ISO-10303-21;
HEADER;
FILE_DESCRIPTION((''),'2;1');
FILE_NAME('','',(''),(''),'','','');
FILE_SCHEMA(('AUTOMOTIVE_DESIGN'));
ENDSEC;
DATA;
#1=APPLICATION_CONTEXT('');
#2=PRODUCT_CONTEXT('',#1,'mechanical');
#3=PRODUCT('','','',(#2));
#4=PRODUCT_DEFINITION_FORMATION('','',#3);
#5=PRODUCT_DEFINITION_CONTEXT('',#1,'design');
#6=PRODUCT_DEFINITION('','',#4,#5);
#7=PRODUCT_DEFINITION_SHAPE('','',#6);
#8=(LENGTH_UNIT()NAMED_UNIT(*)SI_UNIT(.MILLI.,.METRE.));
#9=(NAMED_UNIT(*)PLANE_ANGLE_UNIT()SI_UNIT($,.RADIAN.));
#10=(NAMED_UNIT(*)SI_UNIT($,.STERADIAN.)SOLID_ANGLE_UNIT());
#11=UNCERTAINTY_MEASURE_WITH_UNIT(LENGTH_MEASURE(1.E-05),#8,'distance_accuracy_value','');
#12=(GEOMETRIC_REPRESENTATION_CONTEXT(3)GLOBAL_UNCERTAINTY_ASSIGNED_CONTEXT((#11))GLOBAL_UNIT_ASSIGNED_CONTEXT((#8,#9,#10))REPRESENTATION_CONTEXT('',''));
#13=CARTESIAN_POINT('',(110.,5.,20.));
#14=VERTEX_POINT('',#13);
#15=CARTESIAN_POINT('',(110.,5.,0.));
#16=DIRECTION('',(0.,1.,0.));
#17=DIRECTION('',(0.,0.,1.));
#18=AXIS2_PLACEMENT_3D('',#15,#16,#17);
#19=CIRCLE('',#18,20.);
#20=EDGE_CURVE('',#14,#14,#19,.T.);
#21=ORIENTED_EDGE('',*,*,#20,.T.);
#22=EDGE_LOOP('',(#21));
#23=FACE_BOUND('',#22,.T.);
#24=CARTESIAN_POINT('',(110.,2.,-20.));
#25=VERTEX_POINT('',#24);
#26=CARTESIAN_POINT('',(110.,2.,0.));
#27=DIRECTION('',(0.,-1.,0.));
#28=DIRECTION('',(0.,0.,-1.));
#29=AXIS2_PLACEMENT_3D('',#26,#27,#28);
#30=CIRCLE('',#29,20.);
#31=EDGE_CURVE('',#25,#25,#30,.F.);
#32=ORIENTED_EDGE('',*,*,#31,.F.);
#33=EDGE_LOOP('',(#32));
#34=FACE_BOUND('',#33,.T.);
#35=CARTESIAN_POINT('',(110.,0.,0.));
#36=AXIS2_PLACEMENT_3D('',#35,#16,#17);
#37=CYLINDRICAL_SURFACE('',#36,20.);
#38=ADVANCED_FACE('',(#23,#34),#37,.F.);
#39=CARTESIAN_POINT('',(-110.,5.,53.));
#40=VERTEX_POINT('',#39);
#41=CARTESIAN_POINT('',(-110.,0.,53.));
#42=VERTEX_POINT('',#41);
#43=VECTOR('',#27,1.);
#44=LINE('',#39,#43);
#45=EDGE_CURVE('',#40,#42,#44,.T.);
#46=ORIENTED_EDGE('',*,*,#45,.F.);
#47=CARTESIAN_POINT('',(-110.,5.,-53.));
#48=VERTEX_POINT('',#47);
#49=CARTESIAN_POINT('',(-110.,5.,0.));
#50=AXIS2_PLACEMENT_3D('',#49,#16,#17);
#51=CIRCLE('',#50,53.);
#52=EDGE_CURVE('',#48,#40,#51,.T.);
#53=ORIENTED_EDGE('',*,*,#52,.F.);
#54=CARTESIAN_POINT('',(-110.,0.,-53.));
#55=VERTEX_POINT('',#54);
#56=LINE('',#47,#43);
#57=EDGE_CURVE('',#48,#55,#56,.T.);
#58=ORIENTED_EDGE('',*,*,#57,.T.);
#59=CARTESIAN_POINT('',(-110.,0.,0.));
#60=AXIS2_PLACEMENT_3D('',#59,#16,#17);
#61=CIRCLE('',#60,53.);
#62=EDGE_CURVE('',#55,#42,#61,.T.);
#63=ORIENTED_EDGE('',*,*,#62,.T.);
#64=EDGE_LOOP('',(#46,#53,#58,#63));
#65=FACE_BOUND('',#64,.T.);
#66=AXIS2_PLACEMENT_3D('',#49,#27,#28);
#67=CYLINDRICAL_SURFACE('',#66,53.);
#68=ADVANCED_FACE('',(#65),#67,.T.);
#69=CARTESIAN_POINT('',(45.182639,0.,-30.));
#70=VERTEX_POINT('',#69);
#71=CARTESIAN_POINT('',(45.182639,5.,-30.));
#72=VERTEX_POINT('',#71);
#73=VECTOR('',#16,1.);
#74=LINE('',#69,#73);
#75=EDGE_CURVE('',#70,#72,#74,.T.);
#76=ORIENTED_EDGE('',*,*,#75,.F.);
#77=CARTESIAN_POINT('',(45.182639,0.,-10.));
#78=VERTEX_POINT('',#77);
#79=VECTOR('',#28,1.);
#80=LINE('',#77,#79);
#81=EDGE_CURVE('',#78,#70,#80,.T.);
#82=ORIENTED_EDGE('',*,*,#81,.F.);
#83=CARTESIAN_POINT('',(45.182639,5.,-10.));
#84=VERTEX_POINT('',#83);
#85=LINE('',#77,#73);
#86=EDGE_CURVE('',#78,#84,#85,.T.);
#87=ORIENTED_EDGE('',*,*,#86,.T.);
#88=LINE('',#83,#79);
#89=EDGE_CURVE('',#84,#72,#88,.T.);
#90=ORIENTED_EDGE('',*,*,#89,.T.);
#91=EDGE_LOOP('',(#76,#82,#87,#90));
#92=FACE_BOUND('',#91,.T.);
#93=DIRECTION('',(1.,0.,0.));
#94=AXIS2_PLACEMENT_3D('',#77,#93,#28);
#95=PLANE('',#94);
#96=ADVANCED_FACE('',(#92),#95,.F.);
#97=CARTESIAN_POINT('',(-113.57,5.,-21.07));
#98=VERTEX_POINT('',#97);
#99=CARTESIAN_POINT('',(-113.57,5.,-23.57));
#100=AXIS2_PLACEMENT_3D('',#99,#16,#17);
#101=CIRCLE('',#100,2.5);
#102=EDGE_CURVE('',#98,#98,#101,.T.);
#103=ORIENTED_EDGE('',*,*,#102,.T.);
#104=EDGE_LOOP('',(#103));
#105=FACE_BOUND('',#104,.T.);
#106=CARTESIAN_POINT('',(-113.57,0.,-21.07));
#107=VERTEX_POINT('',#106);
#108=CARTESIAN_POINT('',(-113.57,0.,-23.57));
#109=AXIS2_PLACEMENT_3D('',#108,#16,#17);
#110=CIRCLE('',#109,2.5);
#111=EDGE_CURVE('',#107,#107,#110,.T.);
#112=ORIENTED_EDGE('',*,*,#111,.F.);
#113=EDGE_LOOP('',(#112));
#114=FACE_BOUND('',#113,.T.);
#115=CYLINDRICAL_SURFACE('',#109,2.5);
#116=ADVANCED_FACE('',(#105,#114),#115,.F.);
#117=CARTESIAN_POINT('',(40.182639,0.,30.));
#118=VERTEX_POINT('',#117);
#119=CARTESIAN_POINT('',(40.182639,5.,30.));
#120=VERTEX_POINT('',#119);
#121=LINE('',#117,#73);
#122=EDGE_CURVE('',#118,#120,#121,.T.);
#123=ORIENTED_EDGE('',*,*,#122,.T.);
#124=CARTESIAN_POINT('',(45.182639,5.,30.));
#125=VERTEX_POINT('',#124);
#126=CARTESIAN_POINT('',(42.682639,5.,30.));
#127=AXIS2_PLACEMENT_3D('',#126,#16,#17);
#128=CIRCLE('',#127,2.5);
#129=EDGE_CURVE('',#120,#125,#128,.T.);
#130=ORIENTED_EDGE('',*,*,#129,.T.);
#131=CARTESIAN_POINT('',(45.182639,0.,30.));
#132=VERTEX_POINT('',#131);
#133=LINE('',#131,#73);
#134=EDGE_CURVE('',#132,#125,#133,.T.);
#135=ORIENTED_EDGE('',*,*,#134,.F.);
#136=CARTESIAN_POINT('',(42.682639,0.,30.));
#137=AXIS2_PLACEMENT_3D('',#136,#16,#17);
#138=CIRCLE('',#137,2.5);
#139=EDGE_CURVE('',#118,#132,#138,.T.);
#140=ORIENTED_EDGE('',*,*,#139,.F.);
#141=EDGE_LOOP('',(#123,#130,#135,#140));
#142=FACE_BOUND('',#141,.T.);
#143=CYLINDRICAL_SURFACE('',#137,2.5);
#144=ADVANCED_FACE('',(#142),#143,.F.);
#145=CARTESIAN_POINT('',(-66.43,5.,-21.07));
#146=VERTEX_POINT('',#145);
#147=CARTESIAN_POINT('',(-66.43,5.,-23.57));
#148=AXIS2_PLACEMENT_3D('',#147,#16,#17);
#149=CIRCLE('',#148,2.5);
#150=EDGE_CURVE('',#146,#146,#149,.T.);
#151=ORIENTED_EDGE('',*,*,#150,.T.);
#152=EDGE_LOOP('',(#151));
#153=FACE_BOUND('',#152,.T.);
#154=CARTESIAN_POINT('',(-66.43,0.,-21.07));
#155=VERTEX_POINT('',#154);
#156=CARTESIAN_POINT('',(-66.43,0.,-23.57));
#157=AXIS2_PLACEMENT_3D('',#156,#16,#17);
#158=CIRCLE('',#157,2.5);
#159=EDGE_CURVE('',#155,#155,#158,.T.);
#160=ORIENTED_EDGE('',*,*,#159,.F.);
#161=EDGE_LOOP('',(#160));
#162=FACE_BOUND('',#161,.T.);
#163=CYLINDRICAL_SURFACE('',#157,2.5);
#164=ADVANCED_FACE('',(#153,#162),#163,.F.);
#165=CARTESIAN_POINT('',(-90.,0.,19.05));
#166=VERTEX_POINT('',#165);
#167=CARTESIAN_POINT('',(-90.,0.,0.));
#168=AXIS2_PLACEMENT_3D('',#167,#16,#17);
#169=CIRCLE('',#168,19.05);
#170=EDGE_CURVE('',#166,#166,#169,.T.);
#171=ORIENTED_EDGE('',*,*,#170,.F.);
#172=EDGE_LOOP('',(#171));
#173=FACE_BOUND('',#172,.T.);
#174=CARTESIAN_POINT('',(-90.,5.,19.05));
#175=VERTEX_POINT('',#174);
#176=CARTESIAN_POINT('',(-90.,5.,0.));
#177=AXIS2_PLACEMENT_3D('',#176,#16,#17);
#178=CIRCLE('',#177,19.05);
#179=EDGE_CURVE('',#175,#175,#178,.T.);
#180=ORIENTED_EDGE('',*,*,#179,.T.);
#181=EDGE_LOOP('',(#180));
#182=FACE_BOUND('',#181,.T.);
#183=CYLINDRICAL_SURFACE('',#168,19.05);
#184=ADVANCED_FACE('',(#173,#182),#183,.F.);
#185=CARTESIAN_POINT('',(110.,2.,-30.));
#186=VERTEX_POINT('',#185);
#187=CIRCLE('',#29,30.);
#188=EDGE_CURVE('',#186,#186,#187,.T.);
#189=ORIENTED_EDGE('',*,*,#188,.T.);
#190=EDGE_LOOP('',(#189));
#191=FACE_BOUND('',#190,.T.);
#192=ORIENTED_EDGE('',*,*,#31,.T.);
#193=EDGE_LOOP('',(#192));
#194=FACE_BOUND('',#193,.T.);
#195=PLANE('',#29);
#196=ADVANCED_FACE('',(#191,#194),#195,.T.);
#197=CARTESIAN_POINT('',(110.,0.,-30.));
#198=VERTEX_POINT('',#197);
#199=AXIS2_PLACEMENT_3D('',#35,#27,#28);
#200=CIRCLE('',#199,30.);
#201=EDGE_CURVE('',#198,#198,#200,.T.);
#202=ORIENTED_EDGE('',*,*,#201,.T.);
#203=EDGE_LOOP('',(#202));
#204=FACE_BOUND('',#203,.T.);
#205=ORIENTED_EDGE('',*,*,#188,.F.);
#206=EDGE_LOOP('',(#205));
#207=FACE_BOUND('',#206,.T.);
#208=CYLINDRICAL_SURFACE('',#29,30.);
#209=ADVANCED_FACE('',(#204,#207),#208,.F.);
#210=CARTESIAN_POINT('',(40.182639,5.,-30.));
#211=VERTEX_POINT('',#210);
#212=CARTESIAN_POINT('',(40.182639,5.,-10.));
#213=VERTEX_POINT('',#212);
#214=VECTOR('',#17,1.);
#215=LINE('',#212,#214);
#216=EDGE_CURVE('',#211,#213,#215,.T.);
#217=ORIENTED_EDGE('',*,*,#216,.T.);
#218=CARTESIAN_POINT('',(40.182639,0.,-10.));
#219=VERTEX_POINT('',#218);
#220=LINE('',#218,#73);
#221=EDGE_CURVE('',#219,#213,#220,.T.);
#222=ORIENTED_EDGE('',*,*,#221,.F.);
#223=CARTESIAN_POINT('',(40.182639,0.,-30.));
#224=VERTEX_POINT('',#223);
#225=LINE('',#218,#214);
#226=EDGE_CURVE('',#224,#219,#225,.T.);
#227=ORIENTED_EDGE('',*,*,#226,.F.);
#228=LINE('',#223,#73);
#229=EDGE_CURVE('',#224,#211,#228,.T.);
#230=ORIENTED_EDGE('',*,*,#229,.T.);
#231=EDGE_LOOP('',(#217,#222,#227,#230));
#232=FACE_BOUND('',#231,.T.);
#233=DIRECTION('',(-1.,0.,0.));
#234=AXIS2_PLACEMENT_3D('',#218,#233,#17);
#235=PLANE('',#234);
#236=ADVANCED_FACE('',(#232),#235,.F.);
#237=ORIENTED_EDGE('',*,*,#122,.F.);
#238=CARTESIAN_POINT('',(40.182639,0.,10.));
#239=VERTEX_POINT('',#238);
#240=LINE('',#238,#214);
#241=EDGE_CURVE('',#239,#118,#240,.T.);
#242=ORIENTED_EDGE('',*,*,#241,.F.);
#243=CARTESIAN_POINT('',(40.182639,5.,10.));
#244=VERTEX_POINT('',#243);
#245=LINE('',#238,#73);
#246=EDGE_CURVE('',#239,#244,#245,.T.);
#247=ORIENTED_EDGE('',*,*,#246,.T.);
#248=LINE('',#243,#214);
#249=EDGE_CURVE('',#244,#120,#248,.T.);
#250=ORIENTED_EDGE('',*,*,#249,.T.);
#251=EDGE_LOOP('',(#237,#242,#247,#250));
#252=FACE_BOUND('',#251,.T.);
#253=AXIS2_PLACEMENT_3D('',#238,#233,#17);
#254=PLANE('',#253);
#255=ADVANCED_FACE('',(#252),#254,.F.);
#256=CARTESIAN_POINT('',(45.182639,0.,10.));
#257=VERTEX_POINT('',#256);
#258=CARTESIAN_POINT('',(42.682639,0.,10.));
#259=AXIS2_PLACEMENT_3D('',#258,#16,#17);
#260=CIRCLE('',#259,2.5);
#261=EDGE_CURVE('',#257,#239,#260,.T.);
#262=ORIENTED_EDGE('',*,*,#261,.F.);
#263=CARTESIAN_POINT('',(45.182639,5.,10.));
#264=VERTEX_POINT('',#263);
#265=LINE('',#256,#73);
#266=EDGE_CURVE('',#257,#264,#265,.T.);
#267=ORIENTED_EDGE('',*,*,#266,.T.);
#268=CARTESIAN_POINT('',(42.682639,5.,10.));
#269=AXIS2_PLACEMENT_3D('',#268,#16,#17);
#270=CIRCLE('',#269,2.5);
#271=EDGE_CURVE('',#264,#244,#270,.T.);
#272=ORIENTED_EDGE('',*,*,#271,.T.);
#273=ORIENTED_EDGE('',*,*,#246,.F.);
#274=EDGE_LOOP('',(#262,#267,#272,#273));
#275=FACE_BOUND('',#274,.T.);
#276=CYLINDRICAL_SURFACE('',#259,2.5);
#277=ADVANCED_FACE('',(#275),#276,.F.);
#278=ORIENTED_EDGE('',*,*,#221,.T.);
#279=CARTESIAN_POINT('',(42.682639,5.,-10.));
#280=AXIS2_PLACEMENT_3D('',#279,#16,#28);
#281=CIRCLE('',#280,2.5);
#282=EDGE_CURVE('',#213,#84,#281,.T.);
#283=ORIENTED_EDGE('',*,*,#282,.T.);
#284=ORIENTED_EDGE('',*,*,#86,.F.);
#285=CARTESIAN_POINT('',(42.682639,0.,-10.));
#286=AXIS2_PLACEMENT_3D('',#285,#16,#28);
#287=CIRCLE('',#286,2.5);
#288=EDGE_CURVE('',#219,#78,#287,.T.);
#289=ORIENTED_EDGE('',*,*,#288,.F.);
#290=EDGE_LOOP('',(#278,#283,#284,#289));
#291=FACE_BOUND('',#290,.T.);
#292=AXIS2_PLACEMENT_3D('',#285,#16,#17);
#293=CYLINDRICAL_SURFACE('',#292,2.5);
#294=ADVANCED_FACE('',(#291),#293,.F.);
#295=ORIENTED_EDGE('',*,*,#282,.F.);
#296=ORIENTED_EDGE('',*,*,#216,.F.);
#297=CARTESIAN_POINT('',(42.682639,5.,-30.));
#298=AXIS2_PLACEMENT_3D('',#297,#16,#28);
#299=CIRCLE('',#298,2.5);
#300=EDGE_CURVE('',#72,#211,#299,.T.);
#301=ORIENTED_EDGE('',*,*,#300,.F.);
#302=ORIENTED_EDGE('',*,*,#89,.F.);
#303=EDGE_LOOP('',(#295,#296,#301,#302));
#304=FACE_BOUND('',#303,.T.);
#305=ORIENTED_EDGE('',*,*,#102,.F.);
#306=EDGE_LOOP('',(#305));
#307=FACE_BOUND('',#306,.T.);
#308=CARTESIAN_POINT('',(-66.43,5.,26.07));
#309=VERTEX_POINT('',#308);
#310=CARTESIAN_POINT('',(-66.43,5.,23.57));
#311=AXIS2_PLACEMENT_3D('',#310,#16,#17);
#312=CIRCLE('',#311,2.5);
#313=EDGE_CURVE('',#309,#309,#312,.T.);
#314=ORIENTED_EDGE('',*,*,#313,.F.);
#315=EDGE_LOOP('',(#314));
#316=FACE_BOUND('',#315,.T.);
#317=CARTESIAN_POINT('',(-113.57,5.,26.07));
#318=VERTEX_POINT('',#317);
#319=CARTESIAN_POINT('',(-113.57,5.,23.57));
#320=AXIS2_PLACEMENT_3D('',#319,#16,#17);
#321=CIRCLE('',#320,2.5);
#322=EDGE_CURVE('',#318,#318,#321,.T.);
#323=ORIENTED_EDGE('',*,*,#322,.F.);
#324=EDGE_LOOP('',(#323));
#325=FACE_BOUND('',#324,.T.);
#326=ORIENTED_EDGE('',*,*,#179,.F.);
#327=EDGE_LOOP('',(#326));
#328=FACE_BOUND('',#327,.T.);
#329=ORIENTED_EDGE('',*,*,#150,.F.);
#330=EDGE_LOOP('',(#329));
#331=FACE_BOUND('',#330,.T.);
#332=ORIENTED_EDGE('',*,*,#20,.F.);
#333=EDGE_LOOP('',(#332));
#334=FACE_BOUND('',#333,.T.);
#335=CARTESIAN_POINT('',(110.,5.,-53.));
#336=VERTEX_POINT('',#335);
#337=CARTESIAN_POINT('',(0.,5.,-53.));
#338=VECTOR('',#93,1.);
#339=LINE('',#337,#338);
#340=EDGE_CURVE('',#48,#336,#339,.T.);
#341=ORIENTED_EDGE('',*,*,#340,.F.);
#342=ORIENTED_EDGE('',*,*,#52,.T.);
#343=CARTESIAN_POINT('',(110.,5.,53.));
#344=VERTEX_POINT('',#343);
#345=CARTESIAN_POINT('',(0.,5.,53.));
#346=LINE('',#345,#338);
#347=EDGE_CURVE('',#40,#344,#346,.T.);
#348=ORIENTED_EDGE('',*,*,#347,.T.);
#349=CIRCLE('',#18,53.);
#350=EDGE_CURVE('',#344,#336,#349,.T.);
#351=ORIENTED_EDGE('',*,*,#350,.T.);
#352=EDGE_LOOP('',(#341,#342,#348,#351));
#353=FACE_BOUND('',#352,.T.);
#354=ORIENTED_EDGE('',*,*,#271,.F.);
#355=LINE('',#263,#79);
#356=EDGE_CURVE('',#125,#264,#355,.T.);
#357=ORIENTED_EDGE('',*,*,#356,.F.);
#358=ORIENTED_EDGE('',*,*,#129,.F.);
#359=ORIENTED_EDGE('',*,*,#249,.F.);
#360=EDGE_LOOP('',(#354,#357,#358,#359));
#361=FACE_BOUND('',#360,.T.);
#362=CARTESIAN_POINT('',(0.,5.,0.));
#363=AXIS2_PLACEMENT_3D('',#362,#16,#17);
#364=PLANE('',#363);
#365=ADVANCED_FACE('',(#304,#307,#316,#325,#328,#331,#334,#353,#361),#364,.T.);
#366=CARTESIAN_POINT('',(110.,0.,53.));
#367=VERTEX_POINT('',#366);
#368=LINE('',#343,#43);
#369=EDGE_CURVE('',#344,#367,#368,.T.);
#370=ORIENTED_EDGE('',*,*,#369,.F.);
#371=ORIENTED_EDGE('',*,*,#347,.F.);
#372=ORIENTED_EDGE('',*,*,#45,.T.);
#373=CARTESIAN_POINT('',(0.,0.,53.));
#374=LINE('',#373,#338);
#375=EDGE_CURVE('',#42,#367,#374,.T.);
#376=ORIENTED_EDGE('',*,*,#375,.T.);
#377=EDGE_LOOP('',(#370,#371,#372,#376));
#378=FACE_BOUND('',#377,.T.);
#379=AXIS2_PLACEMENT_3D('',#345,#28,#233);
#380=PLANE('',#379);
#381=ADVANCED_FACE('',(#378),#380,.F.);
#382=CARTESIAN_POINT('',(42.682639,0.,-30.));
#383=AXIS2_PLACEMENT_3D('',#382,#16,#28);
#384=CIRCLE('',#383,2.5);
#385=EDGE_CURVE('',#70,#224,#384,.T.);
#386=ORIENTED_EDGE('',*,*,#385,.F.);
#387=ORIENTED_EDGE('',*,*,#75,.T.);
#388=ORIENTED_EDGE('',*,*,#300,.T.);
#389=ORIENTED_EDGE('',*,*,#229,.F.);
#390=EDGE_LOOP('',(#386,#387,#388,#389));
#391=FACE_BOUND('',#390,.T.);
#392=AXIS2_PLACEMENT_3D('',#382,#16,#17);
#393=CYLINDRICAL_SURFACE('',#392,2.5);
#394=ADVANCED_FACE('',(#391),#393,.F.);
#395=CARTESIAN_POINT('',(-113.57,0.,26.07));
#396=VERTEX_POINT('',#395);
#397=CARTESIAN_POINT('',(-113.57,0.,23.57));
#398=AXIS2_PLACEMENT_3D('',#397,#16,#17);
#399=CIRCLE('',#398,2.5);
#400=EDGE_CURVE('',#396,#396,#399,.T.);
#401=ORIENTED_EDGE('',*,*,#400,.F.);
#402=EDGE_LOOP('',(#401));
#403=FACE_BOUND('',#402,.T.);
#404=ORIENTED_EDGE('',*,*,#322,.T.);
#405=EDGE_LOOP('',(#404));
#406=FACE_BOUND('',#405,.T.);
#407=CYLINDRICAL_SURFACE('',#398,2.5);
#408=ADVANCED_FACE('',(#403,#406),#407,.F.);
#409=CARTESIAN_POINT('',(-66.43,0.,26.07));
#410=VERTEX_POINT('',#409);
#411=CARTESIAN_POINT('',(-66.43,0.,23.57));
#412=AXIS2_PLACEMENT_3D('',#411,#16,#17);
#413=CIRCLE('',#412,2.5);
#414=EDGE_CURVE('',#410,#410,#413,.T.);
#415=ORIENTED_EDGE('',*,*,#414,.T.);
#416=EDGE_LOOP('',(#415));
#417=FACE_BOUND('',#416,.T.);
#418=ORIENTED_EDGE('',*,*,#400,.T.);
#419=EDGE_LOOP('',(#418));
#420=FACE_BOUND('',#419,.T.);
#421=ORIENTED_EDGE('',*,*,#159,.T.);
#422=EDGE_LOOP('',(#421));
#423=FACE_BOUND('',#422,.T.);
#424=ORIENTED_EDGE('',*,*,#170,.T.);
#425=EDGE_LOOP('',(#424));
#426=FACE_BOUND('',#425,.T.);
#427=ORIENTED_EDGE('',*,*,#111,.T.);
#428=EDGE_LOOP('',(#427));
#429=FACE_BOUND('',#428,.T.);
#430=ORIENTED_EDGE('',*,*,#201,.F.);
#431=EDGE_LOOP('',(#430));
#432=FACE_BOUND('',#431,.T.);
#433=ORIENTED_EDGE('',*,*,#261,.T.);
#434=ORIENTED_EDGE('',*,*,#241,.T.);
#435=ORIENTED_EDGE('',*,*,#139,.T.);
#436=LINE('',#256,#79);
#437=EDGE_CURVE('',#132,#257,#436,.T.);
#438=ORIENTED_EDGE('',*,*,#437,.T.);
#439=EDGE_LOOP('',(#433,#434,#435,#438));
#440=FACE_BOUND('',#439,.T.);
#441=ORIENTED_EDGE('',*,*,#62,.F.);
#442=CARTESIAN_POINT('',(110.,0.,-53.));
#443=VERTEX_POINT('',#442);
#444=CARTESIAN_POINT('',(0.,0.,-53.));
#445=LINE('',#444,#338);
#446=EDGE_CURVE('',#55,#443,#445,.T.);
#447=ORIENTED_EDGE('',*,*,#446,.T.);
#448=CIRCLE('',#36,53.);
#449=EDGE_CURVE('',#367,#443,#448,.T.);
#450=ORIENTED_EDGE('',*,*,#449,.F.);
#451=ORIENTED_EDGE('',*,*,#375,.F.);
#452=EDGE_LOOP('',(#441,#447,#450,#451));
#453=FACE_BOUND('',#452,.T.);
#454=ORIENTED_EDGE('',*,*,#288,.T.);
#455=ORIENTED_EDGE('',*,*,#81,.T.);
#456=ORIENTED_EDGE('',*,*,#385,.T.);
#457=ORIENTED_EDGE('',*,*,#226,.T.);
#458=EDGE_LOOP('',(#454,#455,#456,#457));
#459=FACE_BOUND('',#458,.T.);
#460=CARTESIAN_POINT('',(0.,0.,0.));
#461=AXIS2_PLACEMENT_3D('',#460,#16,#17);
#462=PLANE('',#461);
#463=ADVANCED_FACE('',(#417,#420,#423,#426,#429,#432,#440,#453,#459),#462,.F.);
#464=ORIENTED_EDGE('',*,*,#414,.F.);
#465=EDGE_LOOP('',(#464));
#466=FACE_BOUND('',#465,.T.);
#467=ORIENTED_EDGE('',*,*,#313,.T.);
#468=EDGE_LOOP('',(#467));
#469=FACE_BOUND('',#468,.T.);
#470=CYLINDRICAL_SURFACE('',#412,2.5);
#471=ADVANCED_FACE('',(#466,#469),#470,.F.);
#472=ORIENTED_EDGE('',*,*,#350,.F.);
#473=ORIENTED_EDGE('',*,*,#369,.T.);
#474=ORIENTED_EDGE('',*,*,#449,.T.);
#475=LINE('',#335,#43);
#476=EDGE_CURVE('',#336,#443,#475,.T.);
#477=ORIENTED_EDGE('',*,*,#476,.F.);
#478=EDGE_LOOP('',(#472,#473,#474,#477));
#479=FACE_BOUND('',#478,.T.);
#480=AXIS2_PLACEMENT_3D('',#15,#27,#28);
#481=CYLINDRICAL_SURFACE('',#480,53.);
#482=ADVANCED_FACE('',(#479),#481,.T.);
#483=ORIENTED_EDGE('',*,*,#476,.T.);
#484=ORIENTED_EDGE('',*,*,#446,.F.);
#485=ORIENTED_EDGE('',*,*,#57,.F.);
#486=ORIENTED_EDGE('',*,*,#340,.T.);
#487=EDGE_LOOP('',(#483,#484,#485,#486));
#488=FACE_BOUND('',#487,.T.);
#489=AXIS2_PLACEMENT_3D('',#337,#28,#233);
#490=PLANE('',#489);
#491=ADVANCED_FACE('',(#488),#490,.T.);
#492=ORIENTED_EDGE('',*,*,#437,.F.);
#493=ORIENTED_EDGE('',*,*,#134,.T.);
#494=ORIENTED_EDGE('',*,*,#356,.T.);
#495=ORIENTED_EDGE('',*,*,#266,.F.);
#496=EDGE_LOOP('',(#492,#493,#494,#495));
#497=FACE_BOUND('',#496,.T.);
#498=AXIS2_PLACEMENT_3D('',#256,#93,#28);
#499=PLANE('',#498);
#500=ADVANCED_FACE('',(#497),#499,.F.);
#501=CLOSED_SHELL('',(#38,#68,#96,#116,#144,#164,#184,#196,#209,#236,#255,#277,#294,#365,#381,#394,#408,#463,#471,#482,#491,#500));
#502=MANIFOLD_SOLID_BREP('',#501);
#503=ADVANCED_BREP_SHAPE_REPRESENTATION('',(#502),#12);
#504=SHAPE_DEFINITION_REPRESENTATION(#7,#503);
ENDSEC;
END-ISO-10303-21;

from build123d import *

# Parameters (mm, degrees)
BOSS_EXTRUDE1_DEPTH = 5
SKETCH2_R           = 20
CUT_EXTRUDE1_DEPTH  = 6
SKETCH3_R           = 30
CUT_EXTRUDE2_DEPTH  = 2
SKETCH4_R           = 2.5
SKETCH4_R_2         = 19.05
CUT_EXTRUDE3_DEPTH  = 6


with BuildPart() as part:
    # Sketch1 → Boss-Extrude1 (new body)
    with BuildSketch(Plane(origin=(0, 0, 0), x_dir=(1, 0, 0), z_dir=(0, 1, 0))):
        with BuildLine():
            ThreePointArc((-110, 53), (-163, 0), (-110, -53))
            Line((-110, -53), (-110, 53))
        make_face()
        with BuildLine():
            Line((-110, 53), (-110, -53))
            ThreePointArc((-110, -53), (-72.523340597, -37.476659403), (-57, 0))
            ThreePointArc((-57, 0), (-72.523340597, 37.476659403), (-110, 53))
        make_face()
        with BuildLine():
            ThreePointArc((-57, 0), (-72.523340597, -37.476659403), (-110, -53))
            Line((-110, -53), (110, -53))
            ThreePointArc((110, -53), (57, 0), (110, 53))
            Line((110, 53), (-110, 53))
            ThreePointArc((-110, 53), (-72.523340597, 37.476659403), (-57, 0))
        make_face()
        with BuildLine():
            ThreePointArc((110, 53), (57, 0), (110, -53))
            Line((110, -53), (110, 53))
        make_face()
        with BuildLine():
            Line((110, 53), (110, -53))
            ThreePointArc((110, -53), (147.476659403, -37.476659403), (163, 0))
            ThreePointArc((163, 0), (147.476659403, 37.476659403), (110, 53))
        make_face()
    extrude(amount=BOSS_EXTRUDE1_DEPTH)

    # Sketch2 → Cut-Extrude1 (cut, through all)
    with BuildSketch(Plane(origin=(0, 5, 0), x_dir=(1, 0, 0), z_dir=(0, 1, 0))):
        with Locations((110, 0)):
            Circle(SKETCH2_R)
    extrude(amount=-CUT_EXTRUDE1_DEPTH, mode=Mode.SUBTRACT)

    # Sketch3 → Cut-Extrude2 (cut)
    with BuildSketch(Plane.XZ):
        with Locations((110, 0)):
            Circle(SKETCH3_R)
    extrude(amount=-CUT_EXTRUDE2_DEPTH, mode=Mode.SUBTRACT)

    # Sketch4 → Cut-Extrude3 (cut, through all)
    with BuildSketch(Plane(origin=(0, 5, 0), x_dir=(1, 0, 0), z_dir=(0, 1, 0))):
        with Locations((-113.57, 23.57)):
            Circle(SKETCH4_R)
        with Locations((-66.43, 23.57)):
            Circle(SKETCH4_R)
        with Locations((-66.43, -23.57)):
            Circle(SKETCH4_R)
        with Locations((-113.57, -23.57)):
            Circle(SKETCH4_R)
        with Locations((-90, 0)):
            Circle(SKETCH4_R_2)
        with BuildLine():
            Line((45.182638641, 10), (45.182638641, 30))
            ThreePointArc((45.182638641, 30), (42.682638641, 32.5), (40.182638641, 30))
            Line((40.182638641, 30), (40.182638641, 10))
            ThreePointArc((40.182638641, 10), (42.682638641, 7.5), (45.182638641, 10))
        make_face()
        with BuildLine():
            Line((40.182638641, -10), (40.182638641, -30))
            ThreePointArc((40.182638641, -30), (42.682638641, -32.5), (45.182638641, -30))
            Line((45.182638641, -30), (45.182638641, -10))
            ThreePointArc((45.182638641, -10), (42.682638641, -7.5), (40.182638641, -10))
        make_face()
    extrude(amount=-CUT_EXTRUDE3_DEPTH, mode=Mode.SUBTRACT)


solid = part.part
